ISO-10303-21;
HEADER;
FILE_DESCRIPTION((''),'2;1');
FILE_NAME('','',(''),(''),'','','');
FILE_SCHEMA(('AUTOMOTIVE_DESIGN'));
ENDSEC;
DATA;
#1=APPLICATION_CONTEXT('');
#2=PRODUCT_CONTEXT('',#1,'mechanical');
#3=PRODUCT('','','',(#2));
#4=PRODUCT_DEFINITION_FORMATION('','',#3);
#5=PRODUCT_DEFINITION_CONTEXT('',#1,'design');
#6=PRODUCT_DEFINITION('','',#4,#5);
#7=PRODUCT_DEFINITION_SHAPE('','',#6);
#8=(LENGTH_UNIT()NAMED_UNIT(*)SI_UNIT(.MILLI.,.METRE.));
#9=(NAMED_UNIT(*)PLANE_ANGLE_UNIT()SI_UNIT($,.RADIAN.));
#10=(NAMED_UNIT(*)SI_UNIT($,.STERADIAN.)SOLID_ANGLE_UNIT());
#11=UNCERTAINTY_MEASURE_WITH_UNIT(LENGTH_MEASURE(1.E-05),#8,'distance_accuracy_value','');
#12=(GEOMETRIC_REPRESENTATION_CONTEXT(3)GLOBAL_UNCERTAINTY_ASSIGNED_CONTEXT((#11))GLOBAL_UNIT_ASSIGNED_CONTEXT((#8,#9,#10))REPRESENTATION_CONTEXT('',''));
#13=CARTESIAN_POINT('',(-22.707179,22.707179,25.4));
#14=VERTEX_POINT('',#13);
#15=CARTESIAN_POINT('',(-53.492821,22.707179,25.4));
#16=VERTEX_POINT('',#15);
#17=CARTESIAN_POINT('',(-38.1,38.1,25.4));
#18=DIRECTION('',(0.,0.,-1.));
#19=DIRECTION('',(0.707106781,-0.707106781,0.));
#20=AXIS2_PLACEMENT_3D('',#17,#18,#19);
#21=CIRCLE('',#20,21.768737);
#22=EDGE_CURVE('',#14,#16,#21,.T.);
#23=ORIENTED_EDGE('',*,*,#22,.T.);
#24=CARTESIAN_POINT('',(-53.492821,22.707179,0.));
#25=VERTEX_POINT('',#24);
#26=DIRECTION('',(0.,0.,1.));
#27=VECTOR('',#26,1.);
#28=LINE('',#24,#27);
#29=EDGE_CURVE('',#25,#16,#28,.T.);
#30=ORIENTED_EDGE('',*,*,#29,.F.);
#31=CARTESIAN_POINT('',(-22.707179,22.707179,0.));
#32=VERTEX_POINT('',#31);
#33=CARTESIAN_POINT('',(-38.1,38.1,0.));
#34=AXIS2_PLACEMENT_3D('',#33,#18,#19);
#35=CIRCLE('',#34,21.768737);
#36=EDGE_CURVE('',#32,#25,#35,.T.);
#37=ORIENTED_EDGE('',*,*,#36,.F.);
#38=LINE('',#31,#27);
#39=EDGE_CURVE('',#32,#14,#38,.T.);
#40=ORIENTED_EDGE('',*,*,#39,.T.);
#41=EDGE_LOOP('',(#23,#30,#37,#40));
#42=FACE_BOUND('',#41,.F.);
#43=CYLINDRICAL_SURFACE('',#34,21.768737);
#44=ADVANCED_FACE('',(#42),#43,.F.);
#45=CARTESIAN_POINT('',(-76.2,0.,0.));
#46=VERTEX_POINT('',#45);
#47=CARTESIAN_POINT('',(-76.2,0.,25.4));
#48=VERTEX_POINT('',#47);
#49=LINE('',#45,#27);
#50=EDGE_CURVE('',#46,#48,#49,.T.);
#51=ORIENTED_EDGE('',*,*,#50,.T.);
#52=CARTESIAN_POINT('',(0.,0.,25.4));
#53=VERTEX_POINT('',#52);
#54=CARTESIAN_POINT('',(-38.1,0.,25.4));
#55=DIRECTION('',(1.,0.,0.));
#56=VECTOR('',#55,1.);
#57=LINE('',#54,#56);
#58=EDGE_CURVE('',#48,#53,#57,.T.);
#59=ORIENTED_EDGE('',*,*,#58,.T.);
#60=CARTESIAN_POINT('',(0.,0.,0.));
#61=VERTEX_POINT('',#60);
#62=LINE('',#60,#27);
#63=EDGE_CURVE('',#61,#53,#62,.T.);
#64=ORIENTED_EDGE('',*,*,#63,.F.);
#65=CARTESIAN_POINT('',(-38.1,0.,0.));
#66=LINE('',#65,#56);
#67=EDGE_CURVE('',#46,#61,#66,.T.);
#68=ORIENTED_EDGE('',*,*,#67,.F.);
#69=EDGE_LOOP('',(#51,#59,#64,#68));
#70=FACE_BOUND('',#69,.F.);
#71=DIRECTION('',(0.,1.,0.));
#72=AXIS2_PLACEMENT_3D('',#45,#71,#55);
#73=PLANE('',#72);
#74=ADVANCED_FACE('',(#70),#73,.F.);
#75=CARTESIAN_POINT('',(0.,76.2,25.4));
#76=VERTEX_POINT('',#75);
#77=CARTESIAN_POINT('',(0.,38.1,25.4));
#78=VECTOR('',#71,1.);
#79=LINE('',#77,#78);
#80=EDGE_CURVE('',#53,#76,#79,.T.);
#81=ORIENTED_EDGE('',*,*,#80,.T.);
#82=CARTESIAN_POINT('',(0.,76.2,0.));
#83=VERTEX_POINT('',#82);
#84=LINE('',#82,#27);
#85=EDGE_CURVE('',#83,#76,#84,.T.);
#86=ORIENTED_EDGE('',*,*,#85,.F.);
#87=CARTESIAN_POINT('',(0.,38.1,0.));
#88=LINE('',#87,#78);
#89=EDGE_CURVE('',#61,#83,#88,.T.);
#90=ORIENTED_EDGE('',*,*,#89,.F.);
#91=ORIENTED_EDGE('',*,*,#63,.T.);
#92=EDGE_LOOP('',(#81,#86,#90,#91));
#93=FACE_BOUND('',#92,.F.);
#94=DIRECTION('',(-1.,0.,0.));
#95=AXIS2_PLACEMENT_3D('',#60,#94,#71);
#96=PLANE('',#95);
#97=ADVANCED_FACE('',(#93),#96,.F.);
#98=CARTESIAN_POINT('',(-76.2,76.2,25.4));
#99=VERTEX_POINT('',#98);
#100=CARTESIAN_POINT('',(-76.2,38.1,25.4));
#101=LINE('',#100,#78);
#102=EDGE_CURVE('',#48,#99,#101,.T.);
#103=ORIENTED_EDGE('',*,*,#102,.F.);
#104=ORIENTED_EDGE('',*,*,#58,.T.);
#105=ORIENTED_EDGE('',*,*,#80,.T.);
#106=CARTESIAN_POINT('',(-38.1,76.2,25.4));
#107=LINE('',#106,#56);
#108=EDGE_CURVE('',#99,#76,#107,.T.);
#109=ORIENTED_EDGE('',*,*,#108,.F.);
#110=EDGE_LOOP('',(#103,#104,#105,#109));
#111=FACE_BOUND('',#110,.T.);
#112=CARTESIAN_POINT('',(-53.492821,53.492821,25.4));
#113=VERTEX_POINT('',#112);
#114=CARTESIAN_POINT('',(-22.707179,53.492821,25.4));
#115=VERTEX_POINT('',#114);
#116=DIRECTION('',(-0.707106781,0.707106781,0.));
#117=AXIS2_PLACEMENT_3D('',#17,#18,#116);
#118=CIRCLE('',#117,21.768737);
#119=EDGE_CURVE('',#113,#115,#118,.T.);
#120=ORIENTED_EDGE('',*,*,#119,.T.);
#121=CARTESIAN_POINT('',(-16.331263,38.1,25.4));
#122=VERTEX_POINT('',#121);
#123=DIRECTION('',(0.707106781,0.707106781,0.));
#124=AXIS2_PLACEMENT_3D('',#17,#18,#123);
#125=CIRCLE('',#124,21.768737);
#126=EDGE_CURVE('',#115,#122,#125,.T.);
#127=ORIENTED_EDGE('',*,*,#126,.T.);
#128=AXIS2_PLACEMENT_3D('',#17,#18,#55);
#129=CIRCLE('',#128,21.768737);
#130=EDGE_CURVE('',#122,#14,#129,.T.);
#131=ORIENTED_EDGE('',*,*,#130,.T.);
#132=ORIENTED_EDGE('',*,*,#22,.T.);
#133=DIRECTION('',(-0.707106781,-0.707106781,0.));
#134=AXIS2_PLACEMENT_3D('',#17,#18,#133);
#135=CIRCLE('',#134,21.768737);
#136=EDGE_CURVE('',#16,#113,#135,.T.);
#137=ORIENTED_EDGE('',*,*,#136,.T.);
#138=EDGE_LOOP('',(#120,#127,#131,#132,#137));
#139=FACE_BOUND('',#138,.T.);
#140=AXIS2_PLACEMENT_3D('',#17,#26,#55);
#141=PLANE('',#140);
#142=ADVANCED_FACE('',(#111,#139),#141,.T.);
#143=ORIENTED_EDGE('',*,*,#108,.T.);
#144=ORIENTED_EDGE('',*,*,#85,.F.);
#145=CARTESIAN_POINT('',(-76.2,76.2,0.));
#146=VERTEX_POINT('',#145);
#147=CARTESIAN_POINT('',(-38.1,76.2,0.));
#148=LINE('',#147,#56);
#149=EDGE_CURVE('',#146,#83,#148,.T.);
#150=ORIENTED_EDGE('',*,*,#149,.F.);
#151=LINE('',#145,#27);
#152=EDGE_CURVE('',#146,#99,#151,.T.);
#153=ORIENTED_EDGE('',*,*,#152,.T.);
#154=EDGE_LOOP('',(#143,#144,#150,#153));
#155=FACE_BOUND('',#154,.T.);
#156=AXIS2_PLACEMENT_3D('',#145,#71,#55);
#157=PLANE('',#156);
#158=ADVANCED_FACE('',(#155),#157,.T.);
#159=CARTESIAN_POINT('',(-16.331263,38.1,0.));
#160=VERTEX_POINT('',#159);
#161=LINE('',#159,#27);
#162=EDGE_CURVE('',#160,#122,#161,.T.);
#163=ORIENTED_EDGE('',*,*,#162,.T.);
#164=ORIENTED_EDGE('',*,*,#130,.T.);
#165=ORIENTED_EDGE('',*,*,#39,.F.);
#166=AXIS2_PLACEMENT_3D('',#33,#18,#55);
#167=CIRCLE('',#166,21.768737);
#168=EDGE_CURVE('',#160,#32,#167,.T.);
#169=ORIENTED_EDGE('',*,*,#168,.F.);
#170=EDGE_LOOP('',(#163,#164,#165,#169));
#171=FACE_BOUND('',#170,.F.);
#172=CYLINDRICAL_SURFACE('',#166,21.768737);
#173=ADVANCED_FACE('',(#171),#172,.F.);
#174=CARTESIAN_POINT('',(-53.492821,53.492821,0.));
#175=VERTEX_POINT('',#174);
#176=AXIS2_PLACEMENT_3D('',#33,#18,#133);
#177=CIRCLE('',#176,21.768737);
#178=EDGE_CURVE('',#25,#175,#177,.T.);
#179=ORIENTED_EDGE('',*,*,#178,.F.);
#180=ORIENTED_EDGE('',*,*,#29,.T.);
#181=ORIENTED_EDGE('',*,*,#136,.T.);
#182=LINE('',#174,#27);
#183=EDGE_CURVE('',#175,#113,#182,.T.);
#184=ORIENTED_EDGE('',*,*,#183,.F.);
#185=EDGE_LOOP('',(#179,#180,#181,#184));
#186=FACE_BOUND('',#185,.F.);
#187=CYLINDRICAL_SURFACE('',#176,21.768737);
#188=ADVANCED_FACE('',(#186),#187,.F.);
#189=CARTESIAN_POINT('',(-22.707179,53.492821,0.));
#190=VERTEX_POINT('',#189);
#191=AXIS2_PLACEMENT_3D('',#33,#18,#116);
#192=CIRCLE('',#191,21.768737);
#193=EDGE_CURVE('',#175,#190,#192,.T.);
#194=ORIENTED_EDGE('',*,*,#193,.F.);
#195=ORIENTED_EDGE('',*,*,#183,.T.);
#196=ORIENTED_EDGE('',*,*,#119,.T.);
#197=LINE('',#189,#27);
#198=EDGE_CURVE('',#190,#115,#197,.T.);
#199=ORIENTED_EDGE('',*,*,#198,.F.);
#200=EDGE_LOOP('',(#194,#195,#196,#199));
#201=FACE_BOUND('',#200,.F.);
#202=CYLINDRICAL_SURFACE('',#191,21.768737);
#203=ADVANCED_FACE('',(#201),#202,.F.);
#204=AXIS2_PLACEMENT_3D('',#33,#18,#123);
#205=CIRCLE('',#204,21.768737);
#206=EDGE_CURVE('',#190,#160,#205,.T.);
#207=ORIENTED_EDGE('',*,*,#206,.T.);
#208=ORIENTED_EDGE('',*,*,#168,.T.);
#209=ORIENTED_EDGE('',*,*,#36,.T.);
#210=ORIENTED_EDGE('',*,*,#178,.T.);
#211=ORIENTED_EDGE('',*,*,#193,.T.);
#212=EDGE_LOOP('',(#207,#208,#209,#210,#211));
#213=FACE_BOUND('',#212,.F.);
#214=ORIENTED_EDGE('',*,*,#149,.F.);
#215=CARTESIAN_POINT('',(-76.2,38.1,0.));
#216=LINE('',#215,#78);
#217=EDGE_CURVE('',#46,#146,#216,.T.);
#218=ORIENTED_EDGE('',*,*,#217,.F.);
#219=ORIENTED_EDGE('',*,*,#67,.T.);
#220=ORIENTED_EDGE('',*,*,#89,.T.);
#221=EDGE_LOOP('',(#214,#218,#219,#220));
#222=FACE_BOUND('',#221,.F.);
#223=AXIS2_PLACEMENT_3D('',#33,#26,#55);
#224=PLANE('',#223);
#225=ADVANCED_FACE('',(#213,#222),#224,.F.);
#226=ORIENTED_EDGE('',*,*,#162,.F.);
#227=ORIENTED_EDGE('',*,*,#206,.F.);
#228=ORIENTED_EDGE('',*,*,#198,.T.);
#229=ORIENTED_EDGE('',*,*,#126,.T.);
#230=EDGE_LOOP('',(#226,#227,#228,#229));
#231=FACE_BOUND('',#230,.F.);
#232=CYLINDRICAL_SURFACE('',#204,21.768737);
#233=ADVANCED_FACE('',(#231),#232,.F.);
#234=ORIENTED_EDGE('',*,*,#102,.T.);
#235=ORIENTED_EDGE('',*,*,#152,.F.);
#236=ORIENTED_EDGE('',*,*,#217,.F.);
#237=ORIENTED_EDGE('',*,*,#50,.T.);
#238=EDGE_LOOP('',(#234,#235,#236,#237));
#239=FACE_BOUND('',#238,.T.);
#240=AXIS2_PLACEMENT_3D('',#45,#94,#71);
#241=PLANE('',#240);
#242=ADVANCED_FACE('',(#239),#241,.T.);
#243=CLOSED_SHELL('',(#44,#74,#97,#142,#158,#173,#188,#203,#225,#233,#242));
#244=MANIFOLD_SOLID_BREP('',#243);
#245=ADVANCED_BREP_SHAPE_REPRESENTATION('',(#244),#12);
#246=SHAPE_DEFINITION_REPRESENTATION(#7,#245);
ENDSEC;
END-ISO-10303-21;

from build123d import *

# Parameters (mm, degrees)
F0_W     = 76.2
F0_H     = 76.2
F1_DEPTH = 25.4
F3_DEPTH = 54.55745


with BuildPart() as f1:
    # F0 (on Top) → F1 (new body)
    with BuildSketch(Plane.XY):
        with Locations((-38.1, 38.1)):
            Rectangle(F0_W, F0_H)
    extrude(amount=F1_DEPTH)

    # F2 (on face) → F3 (cut)
    with BuildSketch(Plane(origin=(0, 0, 0), x_dir=(1, 0, 0), z_dir=(0, 0, -1))):
        with BuildLine():
            Line((-38.1, -38.1), (-53.4928214914, -22.7071785086))
            ThreePointArc((-53.4928214914, -22.7071785086), (-59.8687369164, -38.1), (-53.4928214914, -53.4928214914))
            Line((-53.4928214914, -53.4928214914), (-38.1, -38.1))
        make_face()
        with BuildLine():
            Line((-38.1, -38.1), (-22.7071785086, -22.7071785086))
            ThreePointArc((-22.7071785086, -22.7071785086), (-38.1, -16.3312630836), (-53.4928214914, -22.7071785086))
            Line((-53.4928214914, -22.7071785086), (-38.1, -38.1))
        make_face()
        with BuildLine():
            ThreePointArc((-22.7071785086, -53.4928214914), (-17.9883095143, -46.4305349614), (-16.3312630836, -38.1))
            ThreePointArc((-16.3312630836, -38.1), (-17.9883095143, -29.7694650386), (-22.7071785086, -22.7071785086))
            Line((-22.7071785086, -22.7071785086), (-38.1, -38.1))
            Line((-38.1, -38.1), (-22.7071785086, -53.4928214914))
        make_face()
        with BuildLine():
            ThreePointArc((-53.4928214914, -53.4928214914), (-38.1, -59.8687369164), (-22.7071785086, -53.4928214914))
            Line((-22.7071785086, -53.4928214914), (-38.1, -38.1))
            Line((-38.1, -38.1), (-53.4928214914, -53.4928214914))
        make_face()
    extrude(amount=-F3_DEPTH, mode=Mode.SUBTRACT)


solid = f1.part
